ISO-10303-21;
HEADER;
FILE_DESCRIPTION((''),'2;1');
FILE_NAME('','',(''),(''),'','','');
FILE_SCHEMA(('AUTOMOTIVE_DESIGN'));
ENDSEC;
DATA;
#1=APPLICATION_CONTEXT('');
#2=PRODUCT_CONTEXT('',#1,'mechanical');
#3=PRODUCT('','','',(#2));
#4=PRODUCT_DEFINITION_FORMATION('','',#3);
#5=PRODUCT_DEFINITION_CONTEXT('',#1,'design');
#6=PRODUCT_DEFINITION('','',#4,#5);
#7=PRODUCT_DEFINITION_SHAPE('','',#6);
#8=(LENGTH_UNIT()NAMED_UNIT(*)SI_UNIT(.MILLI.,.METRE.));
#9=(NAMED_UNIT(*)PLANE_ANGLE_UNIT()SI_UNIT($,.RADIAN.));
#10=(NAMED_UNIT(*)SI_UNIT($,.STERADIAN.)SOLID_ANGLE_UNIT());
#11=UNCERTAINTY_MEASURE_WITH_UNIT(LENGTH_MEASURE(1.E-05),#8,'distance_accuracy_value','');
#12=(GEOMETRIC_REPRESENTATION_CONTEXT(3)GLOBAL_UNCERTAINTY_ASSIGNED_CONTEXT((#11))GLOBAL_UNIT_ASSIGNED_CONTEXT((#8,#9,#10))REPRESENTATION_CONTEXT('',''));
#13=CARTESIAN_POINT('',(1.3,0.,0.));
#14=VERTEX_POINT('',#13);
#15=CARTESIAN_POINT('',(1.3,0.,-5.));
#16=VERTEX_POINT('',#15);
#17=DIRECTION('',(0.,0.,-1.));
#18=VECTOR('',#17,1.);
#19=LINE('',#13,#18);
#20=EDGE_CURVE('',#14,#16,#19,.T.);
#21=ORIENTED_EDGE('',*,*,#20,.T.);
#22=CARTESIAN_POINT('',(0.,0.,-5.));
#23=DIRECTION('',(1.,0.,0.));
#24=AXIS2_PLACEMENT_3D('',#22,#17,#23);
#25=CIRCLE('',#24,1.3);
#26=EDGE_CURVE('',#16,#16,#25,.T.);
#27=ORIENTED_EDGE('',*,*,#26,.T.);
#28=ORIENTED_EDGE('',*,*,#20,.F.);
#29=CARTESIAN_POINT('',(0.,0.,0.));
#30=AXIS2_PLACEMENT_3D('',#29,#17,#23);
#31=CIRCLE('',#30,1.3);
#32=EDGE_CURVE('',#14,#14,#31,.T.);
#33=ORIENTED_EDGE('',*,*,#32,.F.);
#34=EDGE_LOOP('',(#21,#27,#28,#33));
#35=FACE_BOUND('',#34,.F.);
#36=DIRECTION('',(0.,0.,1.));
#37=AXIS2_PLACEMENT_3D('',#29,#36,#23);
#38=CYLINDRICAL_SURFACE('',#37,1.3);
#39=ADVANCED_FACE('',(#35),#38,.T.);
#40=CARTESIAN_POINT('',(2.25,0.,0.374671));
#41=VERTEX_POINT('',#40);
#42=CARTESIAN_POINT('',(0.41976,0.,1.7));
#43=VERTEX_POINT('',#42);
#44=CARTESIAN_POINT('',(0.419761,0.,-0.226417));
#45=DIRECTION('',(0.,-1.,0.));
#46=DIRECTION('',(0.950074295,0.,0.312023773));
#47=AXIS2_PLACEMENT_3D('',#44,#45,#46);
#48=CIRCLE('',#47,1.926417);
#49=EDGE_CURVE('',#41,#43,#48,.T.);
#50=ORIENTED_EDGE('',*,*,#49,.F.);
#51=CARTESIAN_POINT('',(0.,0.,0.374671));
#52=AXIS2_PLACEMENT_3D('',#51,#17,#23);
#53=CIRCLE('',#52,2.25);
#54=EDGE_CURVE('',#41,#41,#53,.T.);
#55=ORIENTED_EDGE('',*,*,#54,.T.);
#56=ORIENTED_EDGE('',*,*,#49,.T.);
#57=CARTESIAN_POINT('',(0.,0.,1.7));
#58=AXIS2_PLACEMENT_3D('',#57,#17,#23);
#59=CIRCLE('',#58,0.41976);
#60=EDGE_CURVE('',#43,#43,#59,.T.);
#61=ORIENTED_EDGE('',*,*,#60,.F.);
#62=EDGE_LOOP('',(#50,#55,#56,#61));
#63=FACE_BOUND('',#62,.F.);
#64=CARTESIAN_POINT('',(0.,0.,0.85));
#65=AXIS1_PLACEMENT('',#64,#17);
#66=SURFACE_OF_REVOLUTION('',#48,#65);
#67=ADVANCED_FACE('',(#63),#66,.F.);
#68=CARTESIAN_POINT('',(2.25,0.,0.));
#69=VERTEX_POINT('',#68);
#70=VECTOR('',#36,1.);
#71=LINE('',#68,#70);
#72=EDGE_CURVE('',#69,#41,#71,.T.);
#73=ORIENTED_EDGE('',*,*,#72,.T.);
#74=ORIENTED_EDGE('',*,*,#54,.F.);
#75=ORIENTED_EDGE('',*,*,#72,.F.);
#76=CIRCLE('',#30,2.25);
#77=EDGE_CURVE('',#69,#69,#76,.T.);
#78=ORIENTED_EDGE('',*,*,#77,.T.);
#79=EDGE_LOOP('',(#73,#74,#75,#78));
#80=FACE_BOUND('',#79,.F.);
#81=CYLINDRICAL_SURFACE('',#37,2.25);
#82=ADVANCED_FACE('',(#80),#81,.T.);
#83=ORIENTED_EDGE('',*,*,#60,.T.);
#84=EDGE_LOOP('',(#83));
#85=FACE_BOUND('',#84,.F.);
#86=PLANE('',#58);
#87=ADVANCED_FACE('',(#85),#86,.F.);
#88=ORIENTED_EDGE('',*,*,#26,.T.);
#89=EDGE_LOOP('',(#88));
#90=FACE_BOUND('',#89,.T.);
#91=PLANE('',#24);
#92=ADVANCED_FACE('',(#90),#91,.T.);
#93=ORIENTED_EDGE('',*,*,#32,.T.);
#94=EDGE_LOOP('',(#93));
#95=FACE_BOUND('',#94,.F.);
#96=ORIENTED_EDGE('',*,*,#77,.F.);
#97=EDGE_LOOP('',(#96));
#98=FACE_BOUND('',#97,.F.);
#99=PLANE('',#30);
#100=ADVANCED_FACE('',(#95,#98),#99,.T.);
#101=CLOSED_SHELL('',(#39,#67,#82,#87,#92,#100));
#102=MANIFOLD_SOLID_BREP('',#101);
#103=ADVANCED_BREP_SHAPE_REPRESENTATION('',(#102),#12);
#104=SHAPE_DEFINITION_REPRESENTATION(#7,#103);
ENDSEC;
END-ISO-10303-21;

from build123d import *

# Parameters (mm, degrees)
F2_R     = 1.3
F3_DEPTH = 5


with BuildPart() as f1:
    # F0 (on Front) → F1 (revolve)
    with BuildSketch(Plane.XZ):
        with BuildLine():
            Line((0, 1.7), (0, 0))
            Line((0, 0), (2.25, 0))
            Line((2.25, 0), (2.25, 0.374671))
            ThreePointArc((2.25, 0.374671), (1.549614, 1.333876), (0.41976, 1.7))
            Line((0.41976, 1.7), (0, 1.7))
        make_face()
    revolve(axis=Axis((0, 0, 0.85), (0, 0, -1)))

    # F2 (on face) → F3 (join)
    with BuildSketch(Plane(origin=(0, 0, 0), x_dir=(1, 0, 0), z_dir=(0, 0, -1))):
        Circle(F2_R)
    extrude(amount=F3_DEPTH)


solid = f1.part
